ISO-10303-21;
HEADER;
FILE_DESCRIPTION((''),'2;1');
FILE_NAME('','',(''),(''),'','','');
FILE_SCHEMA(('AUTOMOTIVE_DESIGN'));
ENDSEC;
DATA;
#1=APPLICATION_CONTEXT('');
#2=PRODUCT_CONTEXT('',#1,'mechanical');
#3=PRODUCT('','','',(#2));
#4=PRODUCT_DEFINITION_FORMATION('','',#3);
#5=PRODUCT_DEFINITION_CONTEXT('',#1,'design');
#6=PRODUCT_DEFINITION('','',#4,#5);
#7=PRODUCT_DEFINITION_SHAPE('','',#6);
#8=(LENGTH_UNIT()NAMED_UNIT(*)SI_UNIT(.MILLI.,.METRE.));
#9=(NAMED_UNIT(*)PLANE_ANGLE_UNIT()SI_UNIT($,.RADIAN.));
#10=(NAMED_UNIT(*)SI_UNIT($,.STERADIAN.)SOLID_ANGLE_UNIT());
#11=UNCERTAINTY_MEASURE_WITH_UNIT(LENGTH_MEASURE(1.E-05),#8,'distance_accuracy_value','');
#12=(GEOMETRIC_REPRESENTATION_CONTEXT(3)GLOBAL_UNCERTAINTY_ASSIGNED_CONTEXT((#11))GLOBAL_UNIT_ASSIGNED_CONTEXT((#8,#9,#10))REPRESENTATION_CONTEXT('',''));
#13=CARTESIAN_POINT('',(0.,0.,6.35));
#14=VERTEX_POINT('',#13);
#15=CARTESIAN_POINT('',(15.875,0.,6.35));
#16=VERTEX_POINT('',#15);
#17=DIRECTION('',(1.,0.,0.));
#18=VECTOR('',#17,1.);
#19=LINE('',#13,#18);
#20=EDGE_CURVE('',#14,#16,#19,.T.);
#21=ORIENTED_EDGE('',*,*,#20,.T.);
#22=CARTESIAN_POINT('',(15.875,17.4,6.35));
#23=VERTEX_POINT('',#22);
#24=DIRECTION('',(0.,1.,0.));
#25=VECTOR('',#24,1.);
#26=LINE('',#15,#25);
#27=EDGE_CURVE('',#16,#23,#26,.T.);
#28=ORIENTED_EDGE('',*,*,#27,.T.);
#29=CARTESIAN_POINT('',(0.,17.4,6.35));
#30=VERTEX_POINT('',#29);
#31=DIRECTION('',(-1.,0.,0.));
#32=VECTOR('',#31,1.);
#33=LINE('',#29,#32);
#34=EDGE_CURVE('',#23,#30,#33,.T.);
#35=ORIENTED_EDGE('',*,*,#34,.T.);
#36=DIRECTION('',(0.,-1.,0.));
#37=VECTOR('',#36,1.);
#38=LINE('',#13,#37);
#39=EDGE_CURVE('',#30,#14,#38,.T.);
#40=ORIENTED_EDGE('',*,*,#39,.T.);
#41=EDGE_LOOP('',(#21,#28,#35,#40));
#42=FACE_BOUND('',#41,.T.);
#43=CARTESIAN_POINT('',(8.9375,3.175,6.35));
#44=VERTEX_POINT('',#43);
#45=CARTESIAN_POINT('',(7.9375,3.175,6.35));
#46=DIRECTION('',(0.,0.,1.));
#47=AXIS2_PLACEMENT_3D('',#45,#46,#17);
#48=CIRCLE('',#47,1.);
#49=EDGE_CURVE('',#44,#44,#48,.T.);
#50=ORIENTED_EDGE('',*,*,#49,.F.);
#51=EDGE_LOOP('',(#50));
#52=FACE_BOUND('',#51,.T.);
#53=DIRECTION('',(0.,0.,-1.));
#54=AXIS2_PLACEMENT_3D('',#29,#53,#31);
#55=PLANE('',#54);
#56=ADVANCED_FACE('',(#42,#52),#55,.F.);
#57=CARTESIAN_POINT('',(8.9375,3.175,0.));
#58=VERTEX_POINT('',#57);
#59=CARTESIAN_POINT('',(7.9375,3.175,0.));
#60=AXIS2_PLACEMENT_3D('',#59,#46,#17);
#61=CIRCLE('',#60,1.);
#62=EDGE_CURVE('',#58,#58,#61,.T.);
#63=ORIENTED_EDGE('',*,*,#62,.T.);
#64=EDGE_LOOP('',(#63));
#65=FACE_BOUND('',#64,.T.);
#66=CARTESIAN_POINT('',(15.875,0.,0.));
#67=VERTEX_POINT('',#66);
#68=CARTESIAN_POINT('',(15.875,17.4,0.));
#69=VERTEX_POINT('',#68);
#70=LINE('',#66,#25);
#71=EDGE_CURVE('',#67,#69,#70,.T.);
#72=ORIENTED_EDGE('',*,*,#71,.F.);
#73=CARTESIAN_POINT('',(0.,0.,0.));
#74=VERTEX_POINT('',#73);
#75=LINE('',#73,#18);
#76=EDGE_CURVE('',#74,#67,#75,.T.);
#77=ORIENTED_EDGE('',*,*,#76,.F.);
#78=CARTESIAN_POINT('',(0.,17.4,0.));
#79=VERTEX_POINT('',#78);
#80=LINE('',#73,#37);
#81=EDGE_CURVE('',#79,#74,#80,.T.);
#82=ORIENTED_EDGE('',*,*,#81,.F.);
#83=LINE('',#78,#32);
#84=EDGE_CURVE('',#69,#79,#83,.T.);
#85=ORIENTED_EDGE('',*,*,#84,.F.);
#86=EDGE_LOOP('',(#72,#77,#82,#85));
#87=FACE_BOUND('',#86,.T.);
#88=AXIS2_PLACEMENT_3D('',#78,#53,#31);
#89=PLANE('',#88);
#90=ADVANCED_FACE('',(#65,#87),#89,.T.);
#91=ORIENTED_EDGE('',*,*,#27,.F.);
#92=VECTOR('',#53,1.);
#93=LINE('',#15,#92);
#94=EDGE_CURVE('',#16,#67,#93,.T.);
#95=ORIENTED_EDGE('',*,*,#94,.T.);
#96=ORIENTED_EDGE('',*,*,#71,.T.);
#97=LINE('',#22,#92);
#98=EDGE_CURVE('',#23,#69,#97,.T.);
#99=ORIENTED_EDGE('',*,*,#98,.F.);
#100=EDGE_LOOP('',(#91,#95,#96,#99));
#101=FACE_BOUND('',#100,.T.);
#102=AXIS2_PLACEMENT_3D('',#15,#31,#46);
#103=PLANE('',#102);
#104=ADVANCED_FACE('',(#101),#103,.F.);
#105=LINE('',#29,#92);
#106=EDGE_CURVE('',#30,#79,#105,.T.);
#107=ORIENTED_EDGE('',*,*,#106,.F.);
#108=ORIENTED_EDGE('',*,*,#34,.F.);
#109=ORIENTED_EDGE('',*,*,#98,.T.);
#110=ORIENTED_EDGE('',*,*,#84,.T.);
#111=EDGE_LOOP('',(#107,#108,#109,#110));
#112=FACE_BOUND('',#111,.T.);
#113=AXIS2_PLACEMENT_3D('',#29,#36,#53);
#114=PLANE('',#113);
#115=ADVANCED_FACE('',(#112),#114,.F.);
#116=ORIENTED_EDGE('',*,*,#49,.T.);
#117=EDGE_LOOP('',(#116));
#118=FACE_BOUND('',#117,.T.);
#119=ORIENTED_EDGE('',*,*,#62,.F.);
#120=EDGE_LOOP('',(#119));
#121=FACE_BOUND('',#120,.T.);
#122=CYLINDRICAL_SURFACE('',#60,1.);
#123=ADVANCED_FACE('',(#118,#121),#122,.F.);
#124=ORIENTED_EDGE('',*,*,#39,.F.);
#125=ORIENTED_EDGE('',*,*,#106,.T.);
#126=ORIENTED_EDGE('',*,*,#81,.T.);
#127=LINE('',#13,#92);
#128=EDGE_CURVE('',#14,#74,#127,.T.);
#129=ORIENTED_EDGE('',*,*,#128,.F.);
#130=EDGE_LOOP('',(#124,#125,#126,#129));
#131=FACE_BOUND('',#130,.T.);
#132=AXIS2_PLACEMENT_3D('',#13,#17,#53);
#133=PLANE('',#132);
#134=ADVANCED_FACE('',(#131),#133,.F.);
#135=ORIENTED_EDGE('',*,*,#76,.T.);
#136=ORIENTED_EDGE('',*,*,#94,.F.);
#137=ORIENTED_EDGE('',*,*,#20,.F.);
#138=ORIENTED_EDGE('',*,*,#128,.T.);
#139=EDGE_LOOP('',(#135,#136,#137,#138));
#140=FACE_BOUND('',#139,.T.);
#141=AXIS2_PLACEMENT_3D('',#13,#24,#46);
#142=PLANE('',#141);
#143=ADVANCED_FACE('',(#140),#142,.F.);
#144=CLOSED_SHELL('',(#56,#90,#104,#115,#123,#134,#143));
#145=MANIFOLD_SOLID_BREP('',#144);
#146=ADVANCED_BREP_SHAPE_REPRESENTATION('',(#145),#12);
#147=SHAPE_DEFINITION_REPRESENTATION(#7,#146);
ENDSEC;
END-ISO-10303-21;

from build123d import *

# Parameters (mm, degrees)
SKETCH1_W           = 15.875
SKETCH1_H           = 17.4
BOSS_EXTRUDE1_DEPTH = 6.35
SKETCH2_R           = 1
CUT_EXTRUDE1_DEPTH  = 25.394633119


with BuildPart() as part:
    # Sketch1 → Boss-Extrude1 (new body)
    with BuildSketch(Plane.XY):
        with Locations((7.9375, 8.7)):
            Rectangle(SKETCH1_W, SKETCH1_H)
    extrude(amount=BOSS_EXTRUDE1_DEPTH)

    # Sketch2 → Cut-Extrude1 (cut, through all)
    with BuildSketch(Plane.XY.offset(6.35)):
        with Locations((7.9375, 3.175)):
            Circle(SKETCH2_R)
    extrude(amount=-CUT_EXTRUDE1_DEPTH, mode=Mode.SUBTRACT)


solid = part.part
